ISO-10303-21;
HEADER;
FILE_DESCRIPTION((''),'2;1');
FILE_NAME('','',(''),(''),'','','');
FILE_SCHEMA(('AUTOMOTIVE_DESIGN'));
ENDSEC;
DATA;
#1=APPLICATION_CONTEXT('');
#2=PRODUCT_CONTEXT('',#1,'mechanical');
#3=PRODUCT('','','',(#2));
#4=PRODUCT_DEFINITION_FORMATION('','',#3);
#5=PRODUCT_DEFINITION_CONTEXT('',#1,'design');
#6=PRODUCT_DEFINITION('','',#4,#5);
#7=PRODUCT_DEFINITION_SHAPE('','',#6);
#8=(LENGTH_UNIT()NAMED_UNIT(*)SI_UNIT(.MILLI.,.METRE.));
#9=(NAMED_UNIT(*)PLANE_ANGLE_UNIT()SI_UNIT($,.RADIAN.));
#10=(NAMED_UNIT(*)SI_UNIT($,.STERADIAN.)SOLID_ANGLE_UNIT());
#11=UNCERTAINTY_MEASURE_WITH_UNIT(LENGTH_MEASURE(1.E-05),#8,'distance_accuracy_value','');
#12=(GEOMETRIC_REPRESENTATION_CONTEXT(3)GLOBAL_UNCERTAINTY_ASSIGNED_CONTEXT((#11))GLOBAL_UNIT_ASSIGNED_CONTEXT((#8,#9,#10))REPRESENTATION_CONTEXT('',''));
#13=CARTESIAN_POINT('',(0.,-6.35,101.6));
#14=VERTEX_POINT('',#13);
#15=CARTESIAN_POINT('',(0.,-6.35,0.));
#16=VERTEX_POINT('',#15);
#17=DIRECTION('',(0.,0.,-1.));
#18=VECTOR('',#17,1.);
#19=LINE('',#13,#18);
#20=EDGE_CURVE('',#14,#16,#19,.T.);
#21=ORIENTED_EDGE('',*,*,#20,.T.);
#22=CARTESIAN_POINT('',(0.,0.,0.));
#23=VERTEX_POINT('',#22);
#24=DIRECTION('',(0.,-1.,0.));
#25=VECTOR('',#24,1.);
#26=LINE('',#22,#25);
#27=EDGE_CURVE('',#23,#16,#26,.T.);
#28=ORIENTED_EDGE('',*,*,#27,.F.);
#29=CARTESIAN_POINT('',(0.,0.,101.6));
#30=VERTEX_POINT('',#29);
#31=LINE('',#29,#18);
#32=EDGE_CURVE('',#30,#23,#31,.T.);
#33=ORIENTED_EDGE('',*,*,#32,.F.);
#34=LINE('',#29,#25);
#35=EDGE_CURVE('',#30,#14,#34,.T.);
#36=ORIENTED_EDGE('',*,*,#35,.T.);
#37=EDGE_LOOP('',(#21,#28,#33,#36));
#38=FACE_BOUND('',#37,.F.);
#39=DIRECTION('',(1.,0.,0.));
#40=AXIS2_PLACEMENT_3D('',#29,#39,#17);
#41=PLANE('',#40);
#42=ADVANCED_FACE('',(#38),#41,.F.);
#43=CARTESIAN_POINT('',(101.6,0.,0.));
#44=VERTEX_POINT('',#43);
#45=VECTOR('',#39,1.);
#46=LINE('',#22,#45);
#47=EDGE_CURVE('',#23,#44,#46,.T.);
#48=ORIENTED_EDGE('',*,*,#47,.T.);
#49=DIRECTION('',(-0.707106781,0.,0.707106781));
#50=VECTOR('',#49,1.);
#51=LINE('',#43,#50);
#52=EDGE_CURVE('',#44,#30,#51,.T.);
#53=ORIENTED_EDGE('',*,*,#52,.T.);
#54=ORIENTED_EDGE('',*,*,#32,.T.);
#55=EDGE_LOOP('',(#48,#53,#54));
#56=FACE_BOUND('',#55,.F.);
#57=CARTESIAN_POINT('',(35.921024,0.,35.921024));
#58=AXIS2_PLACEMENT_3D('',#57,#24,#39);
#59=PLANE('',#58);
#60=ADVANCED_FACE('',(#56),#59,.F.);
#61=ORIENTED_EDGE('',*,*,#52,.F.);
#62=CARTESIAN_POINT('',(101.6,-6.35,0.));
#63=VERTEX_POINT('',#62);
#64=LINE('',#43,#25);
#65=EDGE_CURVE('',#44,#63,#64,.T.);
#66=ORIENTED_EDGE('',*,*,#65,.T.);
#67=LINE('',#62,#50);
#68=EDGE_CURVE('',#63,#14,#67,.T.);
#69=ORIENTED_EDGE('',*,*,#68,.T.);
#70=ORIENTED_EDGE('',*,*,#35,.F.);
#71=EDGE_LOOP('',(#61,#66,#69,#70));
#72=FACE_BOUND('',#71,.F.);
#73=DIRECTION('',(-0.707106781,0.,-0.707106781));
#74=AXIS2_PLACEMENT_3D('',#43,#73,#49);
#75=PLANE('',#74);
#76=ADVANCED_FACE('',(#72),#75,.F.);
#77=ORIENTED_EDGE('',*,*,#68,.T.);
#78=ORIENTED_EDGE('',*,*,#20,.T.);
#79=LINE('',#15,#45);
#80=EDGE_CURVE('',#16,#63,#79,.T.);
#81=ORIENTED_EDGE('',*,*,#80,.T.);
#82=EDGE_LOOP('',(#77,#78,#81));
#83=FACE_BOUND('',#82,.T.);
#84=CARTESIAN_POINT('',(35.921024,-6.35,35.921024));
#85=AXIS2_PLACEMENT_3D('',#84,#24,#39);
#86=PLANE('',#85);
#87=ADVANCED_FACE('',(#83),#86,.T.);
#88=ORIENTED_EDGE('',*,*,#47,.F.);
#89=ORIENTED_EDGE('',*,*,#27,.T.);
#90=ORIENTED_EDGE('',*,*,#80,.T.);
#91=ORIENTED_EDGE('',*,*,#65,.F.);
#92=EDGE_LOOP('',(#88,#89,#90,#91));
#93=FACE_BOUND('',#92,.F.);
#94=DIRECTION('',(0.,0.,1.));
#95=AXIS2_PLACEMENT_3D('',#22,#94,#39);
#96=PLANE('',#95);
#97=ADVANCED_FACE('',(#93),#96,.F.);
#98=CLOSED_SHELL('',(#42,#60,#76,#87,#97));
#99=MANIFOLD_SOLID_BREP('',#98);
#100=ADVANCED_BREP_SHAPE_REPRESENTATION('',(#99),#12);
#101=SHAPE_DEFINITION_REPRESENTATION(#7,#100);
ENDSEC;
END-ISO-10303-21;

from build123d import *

# Parameters (mm, degrees)
F2_DEPTH = 6.35


with BuildPart() as f2:
    # F1 (on face) → F2 (new body)
    with BuildSketch(Plane.XZ):
        Polygon((101.6, 0), (0, 101.6), (0, 0), align=None)
    extrude(amount=F2_DEPTH)


solid = f2.part
